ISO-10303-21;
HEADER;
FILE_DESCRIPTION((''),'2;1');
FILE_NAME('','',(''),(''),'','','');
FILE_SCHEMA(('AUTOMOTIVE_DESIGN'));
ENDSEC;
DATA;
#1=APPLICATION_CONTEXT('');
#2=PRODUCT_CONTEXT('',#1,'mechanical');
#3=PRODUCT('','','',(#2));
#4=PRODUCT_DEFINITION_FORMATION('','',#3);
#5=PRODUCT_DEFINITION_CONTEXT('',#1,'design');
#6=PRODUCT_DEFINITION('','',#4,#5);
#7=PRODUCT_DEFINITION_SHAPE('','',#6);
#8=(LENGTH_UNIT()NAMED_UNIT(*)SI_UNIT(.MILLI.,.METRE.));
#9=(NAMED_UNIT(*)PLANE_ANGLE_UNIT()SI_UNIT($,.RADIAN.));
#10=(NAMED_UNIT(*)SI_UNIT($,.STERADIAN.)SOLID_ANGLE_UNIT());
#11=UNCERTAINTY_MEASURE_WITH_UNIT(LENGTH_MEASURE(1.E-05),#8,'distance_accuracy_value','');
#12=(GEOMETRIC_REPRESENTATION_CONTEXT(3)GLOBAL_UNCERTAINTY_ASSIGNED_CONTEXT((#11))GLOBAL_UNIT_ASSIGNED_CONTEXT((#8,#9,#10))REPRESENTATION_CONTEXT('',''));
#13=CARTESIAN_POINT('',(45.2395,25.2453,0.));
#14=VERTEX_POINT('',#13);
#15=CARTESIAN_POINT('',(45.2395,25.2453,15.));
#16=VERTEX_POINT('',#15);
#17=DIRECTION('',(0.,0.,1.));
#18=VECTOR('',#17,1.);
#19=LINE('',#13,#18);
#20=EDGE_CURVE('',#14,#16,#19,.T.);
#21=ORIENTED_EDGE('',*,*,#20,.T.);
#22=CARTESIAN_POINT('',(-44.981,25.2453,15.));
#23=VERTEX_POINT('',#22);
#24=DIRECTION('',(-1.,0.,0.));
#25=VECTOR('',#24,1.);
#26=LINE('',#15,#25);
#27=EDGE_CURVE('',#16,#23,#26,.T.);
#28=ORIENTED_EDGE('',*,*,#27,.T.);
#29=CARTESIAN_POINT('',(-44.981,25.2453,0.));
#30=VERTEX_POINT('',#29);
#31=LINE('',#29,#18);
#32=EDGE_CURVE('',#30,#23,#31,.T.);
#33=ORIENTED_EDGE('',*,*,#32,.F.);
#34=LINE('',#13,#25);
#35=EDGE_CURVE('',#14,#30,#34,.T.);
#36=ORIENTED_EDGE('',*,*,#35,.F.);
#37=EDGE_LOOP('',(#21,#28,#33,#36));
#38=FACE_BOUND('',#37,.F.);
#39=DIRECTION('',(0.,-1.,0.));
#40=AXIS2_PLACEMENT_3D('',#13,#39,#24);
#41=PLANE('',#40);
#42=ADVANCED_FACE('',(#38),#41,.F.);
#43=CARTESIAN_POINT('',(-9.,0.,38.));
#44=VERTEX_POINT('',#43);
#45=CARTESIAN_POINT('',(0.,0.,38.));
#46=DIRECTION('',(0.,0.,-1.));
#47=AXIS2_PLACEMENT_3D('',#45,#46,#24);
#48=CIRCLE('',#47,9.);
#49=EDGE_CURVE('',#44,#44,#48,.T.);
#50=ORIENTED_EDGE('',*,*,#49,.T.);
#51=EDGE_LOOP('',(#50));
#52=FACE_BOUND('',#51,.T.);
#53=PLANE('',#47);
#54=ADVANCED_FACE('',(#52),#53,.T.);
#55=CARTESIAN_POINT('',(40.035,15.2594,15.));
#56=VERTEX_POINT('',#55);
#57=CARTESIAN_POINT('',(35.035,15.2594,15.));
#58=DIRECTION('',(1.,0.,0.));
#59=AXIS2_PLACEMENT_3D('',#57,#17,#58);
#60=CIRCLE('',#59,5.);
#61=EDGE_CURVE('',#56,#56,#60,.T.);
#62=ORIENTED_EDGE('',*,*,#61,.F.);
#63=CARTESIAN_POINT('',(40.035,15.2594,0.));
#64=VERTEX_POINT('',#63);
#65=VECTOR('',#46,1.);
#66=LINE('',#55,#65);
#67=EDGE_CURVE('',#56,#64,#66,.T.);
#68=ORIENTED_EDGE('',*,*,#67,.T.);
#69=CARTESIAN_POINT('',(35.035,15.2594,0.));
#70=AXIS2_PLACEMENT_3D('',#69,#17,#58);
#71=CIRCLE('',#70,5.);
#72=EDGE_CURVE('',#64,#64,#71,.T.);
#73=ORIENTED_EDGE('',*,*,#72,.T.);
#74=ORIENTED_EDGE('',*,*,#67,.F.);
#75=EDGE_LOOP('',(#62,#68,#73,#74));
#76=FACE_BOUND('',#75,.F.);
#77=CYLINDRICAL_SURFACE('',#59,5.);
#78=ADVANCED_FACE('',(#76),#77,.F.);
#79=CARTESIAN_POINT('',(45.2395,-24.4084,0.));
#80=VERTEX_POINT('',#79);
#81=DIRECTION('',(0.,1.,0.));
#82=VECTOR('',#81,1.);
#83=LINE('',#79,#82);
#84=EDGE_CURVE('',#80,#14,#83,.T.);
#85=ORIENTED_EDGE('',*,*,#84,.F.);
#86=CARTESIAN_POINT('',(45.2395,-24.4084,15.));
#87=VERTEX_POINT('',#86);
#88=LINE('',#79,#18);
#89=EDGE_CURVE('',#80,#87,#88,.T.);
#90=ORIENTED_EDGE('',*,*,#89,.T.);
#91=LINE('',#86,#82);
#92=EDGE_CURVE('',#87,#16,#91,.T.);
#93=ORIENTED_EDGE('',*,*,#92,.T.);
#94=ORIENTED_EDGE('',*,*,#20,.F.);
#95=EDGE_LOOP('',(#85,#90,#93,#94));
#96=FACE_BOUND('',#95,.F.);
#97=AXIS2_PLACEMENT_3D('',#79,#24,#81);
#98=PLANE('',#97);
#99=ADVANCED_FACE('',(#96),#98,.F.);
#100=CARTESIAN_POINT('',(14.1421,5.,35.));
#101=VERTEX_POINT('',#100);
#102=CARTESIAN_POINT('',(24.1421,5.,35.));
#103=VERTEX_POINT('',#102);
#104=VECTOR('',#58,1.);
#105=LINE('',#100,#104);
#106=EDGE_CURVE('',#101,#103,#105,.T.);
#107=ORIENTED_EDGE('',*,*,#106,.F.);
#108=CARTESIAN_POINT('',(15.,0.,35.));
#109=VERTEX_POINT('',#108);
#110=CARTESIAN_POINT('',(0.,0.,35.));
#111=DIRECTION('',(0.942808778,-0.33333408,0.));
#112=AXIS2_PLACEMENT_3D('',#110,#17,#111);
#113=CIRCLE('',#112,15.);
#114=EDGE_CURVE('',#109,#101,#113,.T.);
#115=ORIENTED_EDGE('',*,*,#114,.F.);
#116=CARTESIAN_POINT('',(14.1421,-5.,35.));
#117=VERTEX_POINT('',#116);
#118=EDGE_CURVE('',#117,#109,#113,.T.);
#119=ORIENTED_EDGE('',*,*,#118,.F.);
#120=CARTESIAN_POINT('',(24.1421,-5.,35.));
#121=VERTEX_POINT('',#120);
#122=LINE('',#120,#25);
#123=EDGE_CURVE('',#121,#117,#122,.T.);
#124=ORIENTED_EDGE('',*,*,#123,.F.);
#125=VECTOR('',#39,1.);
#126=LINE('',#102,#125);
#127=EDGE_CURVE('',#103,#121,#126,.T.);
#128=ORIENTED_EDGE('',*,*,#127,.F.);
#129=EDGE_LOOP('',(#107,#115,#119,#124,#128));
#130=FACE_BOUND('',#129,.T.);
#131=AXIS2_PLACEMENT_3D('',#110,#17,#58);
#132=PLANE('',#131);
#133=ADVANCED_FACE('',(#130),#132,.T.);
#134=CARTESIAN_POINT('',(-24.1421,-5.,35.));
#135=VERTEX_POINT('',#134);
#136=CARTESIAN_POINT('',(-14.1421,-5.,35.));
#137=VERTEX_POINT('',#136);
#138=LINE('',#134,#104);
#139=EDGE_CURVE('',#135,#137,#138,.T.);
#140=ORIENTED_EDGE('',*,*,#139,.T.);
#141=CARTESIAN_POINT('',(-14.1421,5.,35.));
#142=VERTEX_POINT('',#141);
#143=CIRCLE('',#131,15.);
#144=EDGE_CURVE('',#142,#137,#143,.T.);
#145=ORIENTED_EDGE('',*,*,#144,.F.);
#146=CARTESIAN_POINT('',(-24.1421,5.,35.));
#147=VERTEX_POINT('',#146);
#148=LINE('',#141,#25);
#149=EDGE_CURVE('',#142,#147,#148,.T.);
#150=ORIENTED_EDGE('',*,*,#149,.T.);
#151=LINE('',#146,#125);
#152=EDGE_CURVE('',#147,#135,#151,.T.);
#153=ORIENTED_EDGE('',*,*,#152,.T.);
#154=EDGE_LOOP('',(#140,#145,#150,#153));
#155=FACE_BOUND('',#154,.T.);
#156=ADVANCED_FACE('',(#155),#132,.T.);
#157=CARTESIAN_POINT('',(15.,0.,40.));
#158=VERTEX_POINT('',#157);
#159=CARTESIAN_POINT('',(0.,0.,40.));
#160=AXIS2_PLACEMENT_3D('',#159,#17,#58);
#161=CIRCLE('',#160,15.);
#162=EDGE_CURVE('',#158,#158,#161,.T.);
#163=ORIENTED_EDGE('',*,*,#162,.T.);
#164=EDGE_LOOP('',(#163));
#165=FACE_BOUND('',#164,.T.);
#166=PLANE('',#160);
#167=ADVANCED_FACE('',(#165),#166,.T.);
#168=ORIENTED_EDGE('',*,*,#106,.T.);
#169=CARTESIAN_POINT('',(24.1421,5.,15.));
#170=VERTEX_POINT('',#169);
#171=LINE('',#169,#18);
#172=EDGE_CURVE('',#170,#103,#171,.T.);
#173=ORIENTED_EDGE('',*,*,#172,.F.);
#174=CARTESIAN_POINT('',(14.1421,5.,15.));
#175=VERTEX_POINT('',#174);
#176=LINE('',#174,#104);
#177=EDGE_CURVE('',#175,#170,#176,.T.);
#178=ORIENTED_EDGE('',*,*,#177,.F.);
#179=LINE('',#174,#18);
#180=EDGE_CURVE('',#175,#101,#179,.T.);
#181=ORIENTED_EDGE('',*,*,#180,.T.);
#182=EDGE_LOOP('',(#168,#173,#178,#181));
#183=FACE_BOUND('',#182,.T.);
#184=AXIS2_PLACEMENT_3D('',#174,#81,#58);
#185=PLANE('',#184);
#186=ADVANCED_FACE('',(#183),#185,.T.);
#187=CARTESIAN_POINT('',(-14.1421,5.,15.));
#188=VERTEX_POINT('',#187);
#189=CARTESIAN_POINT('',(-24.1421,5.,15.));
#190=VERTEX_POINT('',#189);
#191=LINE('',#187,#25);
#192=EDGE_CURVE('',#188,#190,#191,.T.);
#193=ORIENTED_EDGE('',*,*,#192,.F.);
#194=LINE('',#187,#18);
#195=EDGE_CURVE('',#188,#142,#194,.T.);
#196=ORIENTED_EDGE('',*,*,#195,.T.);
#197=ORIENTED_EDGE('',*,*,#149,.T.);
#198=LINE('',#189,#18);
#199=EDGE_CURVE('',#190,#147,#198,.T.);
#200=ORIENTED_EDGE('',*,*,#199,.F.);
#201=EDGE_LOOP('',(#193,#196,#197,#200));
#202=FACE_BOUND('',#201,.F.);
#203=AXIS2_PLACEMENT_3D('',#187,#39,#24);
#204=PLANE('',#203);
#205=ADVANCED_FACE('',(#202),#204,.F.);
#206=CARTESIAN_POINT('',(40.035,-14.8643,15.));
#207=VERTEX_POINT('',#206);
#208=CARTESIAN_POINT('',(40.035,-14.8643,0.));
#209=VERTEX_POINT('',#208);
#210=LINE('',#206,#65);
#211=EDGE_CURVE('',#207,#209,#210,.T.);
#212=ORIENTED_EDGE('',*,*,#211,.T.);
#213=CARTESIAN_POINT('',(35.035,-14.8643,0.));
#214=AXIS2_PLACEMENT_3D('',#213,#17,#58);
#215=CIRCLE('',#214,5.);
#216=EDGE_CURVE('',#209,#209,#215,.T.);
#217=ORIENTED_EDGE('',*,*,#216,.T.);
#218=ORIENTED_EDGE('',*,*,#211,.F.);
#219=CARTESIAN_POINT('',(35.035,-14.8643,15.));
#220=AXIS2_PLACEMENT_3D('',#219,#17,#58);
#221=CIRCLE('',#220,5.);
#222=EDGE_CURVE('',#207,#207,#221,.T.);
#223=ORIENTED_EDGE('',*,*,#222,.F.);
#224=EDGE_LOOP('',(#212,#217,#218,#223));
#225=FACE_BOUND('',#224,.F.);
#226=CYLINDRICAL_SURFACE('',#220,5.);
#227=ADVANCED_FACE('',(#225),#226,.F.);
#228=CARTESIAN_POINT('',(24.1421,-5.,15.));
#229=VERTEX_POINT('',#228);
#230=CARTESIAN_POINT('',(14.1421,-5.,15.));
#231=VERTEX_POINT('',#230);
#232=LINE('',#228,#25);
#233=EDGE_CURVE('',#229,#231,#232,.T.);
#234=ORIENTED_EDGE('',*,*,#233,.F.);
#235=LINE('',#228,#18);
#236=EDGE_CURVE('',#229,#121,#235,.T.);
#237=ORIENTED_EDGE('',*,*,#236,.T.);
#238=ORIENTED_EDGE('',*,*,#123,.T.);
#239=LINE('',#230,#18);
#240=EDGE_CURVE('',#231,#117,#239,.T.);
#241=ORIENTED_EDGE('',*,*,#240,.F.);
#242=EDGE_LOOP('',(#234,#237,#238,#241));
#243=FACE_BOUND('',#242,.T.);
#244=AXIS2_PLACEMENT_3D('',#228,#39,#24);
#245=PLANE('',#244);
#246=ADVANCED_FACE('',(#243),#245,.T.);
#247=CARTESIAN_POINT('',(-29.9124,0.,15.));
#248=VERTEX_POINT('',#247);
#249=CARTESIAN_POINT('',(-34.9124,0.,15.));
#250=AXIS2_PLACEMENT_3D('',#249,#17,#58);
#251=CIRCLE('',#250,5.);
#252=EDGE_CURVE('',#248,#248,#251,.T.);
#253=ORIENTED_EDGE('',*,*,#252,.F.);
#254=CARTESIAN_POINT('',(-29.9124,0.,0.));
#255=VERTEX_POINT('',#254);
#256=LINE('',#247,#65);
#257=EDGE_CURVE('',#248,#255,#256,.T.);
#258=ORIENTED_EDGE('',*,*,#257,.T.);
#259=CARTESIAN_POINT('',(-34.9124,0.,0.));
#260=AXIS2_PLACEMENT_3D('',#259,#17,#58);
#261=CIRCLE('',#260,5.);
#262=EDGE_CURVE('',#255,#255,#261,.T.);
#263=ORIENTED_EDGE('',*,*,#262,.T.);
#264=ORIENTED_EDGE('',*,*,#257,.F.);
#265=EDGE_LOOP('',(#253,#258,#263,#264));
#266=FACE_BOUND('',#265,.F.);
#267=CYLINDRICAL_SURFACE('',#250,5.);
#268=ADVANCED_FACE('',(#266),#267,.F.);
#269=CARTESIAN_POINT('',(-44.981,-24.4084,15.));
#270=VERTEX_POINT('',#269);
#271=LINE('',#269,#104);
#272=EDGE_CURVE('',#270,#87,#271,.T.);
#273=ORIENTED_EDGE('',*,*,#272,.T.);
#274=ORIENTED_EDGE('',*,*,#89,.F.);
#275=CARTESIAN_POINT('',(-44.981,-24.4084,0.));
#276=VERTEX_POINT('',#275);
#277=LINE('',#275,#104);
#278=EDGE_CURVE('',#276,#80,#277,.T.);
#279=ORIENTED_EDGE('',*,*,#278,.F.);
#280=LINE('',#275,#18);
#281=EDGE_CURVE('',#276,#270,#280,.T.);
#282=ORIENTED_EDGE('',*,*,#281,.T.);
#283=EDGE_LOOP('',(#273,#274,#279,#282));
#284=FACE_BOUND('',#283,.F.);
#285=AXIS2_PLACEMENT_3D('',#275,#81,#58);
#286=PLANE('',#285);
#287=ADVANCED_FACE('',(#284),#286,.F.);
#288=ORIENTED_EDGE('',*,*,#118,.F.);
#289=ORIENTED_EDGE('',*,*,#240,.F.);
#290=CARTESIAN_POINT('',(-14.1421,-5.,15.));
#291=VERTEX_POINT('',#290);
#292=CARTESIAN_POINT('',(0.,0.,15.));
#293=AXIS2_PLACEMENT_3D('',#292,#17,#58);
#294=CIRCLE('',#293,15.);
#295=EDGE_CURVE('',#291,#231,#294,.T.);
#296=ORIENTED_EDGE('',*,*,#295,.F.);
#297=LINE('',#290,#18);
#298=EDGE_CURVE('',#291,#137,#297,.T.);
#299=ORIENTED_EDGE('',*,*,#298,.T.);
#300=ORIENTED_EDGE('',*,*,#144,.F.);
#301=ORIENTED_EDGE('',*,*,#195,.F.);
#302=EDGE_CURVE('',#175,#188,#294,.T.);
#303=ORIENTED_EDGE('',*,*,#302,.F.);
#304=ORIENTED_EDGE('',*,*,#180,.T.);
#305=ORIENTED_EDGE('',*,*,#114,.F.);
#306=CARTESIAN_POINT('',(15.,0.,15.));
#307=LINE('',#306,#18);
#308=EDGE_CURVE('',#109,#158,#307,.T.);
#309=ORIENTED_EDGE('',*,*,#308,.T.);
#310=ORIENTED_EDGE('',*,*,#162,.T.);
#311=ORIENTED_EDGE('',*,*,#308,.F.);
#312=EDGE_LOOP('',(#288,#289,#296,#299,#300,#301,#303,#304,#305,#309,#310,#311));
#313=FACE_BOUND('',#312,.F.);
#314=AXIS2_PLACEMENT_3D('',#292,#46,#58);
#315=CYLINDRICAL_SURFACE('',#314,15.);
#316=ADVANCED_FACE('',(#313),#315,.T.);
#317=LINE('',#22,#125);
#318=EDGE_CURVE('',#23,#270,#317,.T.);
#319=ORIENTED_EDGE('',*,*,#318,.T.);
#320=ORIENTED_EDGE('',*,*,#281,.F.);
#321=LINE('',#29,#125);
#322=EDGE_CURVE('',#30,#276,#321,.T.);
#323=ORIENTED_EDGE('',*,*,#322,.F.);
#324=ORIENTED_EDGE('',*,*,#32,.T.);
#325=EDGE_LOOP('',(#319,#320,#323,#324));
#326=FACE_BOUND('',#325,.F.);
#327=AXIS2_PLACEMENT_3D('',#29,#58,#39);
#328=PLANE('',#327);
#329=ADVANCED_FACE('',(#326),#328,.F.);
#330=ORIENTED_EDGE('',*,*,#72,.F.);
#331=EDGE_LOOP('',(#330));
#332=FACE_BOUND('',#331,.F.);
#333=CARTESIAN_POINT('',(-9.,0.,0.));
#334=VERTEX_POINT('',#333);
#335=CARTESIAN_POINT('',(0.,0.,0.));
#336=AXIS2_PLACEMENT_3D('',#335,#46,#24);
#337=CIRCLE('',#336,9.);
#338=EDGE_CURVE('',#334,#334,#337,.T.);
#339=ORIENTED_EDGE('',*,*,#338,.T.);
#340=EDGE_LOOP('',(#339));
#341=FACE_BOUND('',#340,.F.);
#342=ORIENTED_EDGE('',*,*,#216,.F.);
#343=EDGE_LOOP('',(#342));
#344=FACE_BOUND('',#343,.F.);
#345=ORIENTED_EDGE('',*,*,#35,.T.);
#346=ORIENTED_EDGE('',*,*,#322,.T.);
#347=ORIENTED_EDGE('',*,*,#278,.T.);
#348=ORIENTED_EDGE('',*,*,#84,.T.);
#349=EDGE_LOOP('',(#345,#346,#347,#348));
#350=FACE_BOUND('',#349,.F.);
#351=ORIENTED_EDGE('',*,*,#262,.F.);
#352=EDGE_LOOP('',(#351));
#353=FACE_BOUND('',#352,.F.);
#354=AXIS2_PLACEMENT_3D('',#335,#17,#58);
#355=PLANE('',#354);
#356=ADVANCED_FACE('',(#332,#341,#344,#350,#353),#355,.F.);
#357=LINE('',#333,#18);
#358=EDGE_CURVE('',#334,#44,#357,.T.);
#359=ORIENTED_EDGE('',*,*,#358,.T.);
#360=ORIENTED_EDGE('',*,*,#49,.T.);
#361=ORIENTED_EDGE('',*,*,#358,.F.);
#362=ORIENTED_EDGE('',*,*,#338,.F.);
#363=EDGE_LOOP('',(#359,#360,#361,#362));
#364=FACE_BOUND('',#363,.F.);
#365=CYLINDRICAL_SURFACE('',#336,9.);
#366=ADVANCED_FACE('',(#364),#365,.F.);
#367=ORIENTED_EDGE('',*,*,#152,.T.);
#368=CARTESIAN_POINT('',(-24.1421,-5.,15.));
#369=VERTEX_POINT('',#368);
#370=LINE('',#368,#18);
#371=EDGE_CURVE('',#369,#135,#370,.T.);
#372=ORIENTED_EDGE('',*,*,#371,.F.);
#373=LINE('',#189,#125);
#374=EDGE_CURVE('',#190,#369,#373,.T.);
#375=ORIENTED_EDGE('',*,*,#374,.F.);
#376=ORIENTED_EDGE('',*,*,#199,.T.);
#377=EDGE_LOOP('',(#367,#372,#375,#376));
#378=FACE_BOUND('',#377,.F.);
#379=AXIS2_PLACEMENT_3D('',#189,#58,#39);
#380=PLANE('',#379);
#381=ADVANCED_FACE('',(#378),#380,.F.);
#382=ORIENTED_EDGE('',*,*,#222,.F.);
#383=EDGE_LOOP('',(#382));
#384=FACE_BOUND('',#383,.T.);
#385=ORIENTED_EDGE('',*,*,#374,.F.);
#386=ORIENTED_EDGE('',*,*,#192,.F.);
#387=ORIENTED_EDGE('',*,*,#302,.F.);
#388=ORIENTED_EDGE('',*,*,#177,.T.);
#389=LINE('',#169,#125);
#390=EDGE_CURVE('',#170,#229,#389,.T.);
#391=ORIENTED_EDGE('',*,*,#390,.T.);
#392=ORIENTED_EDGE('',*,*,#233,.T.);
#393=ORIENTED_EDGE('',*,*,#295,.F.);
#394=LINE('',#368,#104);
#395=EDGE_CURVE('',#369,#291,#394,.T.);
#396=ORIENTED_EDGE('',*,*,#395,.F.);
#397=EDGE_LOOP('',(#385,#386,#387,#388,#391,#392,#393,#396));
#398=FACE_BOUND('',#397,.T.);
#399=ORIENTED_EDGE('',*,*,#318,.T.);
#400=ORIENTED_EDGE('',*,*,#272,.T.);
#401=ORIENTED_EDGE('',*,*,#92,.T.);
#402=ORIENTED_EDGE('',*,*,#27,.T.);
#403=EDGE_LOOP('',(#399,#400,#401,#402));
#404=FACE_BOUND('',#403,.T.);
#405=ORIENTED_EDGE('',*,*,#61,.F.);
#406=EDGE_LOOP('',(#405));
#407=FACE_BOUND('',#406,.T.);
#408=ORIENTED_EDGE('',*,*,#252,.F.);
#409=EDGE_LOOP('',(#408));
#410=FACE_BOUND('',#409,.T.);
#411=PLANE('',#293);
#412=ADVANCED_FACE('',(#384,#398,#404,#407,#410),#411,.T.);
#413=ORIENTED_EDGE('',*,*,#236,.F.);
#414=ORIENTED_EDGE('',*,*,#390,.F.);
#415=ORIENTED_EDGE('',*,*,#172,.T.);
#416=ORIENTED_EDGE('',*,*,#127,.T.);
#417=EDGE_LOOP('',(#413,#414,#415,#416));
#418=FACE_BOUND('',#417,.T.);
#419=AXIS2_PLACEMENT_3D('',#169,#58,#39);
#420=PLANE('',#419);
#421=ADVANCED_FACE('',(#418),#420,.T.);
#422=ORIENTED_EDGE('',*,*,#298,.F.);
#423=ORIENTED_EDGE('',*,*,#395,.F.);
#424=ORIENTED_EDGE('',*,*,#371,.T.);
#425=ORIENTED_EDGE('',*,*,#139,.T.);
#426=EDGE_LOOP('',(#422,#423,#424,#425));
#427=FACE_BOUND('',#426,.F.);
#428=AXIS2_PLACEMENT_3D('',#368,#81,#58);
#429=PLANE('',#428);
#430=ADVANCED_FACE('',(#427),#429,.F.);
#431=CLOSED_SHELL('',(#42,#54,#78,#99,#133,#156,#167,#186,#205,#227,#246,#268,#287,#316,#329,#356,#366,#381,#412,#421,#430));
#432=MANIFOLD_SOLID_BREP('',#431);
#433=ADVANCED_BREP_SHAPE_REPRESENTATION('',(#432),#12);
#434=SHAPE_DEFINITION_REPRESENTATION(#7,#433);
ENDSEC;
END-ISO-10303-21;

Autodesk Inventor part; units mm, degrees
ref_plane "YZ Plane" through (0, 0, 0) normal (1, 0, 0) x (0, 1, 0)
ref_plane "XZ Plane" through (0, 0, 0) normal (0, 1, 0) x (-1, 0, 0)
ref_plane "XY Plane" through (0, 0, 0) normal (0, 0, 1) x (1, 0, 0)
sketch "Эскиз4" plane through (0, 0, 0) normal (0, 0, 1) x (1, 0, 0)
  line L0 (45.2395, 25.2453) -> (-44.981, 25.2453)
  line L1 (-44.981, 25.2453) -> (-44.981, -24.4084)
  line L2 (-44.981, -24.4084) -> (45.2395, -24.4084)
  line L3 (45.2395, -24.4084) -> (45.2395, 25.2453)
  point P0 (0, 0)
extrude "Прямоугольник_" add sketch "Эскиз4" along normal blind 15
sketch "Прямоугольник" plane through (0, 0, 0) normal (0, 0, 1) x (1, 0, 0)
  line L0 (-77.4921, 158.0418) -> (133.4103, 158.0418) construction
  line L1 (133.4103, 158.0418) -> (133.4103, -71.9132) construction
  line L2 (133.4103, -71.9132) -> (-77.4921, -71.9132) construction
  line L3 (-77.4921, -71.9132) -> (-77.4921, 158.0418) construction
  line L4 (44.9907, 25.2614) -> (-45.0093, 25.2614)
  line L5 (-45.0093, 25.2614) -> (-45.0093, -24.7386)
  line L6 (-45.0093, -24.7386) -> (44.9907, -24.7386)
  line L7 (44.9907, -24.7386) -> (44.9907, 25.2614)
  point P0 (0, 0)
  dimension "d17" = 90
  dimension "d20" = 50
sketch "Три отверстия по краям" plane through (0, 0, 15) normal (0, 0, 1) x (1, 0, 0)
  circle A0 centre (-34.9124, 0) radius 5
  circle A1 centre (35.035, 15.2594) radius 5
  circle A2 centre (35.035, -14.8643) radius 5
  point P0 (0, 0)
  dimension "d12" = 10
  dimension "d13" = 10
  dimension "d14" = 10
extrude "3 отверстия по краям" cut sketch "Три отверстия по краям" against normal blind 800
sketch "Возвышенность по центру" plane through (0, 0, 15) normal (0, 0, 1) x (1, 0, 0)
  circle A0 centre (0, 0) radius 15
  dimension "d21" = 30
extrude "Возвышенность" add sketch "Возвышенность по центру" along normal blind 25
sketch "Эскиз7" plane through (0, 0, 0) normal (0, 0, -1) x (-1, 0, 0)
  circle A0 centre (0, 0) radius 9
  dimension "d24" = 18
extrude "Внутренняя часть внутри возв" cut sketch "Эскиз7" against normal blind 38
sketch "Эскиз8" plane through (0, 0, 15) normal (0, 0, 1) x (1, 0, 0)
  circle A0 centre (0, 0) radius 15 projected
  line L0 (45.2395, -24.4084) -> (45.2395, 25.2453) projected
  line L1 (-14.1421, 5) -> (-24.1421, 5)
  line L2 (-24.1421, 5) -> (-24.1421, -5)
  line L3 (-24.1421, -5) -> (-14.1421, -5)
  line L4 (14.1421, 5) -> (24.1421, 5)
  line L5 (24.1421, 5) -> (24.1421, -5)
  line L6 (24.1421, -5) -> (14.1421, -5)
  dimension "d27" = 10
  dimension "d28" = 10
  dimension "d29" = 10
extrude "Детали по бокам возв." add sketch "Эскиз8" along normal blind 20 contours A0 L4 L5 L6 | A0 L3 L2 L1
properties part number "Основание"
